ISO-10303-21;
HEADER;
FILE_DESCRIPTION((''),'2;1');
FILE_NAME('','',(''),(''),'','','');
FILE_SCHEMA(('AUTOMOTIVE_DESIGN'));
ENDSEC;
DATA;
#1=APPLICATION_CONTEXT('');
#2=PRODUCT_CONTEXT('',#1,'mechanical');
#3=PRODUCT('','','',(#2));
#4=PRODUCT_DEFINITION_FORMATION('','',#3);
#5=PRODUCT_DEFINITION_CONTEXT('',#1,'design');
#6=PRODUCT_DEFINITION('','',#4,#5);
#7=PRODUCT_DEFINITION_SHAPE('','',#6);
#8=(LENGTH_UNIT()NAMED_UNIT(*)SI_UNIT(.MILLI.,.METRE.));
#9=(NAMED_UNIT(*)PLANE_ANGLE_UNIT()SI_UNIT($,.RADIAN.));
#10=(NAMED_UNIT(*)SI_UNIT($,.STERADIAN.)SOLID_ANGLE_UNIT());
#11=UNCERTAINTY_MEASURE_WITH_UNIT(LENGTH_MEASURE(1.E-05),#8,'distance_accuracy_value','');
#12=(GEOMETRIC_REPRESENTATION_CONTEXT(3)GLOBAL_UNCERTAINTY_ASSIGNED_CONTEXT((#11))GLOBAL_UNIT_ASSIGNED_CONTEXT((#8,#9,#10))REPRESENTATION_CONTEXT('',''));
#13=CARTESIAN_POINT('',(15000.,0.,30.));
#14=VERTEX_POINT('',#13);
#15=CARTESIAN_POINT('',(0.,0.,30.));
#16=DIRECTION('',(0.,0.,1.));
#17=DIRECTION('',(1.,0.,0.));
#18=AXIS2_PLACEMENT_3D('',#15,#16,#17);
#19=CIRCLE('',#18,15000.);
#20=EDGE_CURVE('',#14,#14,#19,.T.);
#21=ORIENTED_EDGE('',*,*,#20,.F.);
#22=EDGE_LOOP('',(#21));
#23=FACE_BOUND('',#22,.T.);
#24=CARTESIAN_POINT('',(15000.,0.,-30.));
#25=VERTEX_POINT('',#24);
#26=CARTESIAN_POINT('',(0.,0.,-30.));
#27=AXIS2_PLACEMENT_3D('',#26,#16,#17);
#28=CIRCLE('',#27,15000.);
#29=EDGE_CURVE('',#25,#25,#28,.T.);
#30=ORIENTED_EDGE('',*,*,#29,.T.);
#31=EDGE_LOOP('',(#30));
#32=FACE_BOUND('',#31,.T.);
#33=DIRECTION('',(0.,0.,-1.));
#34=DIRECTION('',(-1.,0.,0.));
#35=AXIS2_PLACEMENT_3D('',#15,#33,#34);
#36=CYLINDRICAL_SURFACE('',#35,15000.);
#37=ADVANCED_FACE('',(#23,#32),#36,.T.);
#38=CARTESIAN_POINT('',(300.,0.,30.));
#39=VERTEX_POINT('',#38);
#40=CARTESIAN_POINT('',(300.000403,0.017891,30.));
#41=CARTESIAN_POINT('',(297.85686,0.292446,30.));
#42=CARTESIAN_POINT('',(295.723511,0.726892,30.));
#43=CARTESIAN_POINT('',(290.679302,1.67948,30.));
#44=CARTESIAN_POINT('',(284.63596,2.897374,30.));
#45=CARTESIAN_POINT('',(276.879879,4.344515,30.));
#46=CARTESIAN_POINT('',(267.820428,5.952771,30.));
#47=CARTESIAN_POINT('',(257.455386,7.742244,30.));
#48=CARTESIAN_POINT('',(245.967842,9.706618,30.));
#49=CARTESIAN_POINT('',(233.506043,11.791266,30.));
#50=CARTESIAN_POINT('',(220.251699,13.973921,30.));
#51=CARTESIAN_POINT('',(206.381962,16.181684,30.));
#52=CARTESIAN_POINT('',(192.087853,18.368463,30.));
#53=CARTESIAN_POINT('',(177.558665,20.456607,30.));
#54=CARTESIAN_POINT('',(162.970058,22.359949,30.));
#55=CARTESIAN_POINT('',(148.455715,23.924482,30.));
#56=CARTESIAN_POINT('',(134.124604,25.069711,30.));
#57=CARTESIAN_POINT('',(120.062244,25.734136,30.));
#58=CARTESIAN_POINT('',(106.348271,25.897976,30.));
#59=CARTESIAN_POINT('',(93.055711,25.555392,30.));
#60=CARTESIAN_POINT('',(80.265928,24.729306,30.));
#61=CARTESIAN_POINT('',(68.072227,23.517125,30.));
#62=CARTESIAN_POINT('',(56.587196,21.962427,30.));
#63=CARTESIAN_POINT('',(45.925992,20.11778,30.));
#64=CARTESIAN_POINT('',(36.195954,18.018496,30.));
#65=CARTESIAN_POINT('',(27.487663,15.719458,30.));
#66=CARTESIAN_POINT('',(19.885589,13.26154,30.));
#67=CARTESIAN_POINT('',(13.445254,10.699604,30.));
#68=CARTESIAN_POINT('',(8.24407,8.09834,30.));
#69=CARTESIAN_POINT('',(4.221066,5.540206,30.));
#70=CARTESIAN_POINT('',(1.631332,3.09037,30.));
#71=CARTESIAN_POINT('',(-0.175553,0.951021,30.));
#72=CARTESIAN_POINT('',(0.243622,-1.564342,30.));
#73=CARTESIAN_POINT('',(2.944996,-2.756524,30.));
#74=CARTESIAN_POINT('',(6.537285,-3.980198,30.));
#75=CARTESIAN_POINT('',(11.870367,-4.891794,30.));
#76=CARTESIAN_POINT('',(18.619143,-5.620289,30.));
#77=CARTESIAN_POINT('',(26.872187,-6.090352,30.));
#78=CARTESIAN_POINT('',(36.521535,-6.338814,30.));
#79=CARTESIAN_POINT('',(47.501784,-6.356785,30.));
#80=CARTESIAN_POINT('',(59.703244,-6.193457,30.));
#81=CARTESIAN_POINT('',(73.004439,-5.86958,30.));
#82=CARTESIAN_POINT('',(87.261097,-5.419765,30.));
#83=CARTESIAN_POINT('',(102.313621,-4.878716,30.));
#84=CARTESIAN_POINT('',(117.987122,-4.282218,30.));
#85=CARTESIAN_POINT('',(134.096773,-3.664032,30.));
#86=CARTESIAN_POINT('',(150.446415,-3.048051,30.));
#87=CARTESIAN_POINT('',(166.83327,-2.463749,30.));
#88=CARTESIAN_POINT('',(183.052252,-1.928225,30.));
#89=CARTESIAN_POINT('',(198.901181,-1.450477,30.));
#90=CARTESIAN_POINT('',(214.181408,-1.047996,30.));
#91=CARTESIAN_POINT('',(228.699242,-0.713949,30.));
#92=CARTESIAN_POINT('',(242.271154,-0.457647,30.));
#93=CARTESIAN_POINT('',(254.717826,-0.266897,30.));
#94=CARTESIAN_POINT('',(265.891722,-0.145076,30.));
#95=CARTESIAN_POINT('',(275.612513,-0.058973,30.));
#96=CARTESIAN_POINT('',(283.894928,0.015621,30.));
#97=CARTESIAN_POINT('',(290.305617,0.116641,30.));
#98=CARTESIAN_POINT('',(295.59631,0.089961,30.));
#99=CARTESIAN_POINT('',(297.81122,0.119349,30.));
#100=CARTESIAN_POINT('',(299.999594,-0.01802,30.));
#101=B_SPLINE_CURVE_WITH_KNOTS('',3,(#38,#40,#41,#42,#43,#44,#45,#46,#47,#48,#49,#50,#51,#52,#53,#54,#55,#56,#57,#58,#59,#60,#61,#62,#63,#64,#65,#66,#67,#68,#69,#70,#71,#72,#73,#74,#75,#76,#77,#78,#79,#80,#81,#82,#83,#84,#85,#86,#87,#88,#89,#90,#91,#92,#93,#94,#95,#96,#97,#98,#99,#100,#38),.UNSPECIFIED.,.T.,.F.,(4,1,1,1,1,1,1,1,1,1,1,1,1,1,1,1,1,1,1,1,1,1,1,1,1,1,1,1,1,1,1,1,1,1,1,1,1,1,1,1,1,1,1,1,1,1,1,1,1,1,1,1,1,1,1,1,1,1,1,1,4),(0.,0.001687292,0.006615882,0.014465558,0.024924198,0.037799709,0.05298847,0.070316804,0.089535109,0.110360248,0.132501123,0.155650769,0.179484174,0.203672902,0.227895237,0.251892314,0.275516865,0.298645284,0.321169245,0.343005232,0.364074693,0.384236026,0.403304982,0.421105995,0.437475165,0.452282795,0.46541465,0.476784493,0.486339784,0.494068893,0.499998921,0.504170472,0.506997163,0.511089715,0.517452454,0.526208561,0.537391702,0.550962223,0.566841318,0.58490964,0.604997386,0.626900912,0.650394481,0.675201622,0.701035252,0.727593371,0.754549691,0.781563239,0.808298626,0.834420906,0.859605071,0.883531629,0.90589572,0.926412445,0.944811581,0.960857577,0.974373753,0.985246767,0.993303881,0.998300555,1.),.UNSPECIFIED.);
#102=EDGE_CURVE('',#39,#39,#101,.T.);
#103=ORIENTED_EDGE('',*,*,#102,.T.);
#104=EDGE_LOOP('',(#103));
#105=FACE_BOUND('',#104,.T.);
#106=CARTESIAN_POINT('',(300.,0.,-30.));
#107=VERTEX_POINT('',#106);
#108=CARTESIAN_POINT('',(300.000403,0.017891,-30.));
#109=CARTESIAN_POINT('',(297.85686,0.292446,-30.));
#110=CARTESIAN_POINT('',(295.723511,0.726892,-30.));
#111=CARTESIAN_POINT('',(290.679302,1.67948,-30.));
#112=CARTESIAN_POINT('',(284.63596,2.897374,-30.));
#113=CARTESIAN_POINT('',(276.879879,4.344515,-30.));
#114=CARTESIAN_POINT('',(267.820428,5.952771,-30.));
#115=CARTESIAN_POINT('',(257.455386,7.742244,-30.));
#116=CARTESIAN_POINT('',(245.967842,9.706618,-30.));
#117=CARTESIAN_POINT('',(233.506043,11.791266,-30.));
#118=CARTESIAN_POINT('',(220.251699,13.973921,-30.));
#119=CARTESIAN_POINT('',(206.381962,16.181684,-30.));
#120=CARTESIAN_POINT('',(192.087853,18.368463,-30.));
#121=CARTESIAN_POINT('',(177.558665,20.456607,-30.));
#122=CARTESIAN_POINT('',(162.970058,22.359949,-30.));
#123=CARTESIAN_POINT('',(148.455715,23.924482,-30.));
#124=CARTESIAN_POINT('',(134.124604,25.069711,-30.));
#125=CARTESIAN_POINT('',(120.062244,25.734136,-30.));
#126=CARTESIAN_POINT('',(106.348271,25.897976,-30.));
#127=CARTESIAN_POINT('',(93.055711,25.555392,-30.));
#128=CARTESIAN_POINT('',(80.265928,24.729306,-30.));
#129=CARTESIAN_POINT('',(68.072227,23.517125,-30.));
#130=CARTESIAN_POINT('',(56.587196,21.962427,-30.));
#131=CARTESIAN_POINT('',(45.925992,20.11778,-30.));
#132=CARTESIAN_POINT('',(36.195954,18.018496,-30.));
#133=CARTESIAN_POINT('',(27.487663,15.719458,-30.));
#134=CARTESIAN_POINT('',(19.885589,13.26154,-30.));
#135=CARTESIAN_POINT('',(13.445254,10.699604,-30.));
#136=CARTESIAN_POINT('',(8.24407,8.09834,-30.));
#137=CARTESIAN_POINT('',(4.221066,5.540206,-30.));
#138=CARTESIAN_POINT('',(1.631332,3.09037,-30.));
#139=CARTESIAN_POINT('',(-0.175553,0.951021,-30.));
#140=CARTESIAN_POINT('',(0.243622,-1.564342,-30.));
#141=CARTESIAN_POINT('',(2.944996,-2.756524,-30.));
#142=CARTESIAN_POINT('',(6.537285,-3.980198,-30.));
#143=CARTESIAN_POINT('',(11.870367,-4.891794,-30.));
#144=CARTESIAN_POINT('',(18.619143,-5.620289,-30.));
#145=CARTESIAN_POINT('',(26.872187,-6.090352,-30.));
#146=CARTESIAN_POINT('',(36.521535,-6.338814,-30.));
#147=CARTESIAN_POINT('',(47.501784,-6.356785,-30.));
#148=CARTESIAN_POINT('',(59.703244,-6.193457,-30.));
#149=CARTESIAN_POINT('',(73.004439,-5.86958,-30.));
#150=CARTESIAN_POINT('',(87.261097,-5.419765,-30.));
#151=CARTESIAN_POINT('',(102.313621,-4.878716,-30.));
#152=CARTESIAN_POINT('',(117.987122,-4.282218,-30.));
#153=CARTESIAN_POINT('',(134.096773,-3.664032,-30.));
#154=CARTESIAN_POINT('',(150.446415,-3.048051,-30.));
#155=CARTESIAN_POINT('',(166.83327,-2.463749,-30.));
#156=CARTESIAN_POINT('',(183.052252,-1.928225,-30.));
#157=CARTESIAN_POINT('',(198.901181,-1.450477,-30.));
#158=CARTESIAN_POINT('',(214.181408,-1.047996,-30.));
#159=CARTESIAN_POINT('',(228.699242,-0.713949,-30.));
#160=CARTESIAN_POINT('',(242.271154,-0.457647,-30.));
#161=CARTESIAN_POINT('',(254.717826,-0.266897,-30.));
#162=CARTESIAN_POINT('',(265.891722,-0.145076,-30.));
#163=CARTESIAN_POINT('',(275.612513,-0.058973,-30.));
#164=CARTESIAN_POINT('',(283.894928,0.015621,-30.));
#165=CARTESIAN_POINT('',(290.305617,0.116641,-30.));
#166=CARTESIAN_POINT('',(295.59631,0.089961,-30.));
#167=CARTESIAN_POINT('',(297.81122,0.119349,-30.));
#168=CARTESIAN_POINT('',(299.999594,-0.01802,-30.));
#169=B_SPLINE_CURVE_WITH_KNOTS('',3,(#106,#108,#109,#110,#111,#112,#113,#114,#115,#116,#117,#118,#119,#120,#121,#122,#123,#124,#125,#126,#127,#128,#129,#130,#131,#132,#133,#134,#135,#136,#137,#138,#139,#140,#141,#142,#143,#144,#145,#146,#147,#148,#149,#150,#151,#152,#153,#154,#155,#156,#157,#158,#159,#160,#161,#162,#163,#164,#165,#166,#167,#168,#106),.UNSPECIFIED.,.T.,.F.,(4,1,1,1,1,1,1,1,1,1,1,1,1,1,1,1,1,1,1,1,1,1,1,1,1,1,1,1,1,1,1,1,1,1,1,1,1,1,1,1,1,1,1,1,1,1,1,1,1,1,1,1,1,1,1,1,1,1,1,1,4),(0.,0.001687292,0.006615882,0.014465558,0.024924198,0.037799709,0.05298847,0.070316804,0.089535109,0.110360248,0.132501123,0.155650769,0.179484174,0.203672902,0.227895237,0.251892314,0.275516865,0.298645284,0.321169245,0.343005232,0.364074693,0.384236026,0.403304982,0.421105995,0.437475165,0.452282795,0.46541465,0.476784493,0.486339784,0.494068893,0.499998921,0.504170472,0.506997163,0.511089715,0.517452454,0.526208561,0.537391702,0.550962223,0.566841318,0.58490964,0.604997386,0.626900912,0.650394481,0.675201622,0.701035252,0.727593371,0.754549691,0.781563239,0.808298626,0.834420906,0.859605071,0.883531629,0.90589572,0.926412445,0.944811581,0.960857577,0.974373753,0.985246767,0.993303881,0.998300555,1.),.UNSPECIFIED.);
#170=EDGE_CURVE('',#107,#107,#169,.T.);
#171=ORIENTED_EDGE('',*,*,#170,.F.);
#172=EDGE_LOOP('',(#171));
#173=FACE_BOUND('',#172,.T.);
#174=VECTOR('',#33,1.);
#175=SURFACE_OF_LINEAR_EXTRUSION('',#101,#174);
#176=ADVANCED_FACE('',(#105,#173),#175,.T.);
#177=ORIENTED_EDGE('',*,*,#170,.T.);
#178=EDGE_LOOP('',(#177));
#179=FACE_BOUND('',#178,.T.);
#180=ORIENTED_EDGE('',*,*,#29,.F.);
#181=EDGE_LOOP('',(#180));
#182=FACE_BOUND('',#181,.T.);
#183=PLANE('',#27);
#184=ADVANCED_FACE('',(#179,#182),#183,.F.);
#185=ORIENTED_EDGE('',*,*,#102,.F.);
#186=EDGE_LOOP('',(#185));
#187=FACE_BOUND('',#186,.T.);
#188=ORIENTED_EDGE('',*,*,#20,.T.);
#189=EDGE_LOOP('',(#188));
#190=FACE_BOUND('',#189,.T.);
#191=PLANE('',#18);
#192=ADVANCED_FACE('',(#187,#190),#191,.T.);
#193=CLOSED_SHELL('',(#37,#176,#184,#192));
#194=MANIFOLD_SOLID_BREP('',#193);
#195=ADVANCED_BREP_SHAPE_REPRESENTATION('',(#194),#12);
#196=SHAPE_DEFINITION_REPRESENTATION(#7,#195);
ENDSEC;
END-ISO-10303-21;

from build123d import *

# Parameters (mm, degrees)
SKETCH2_R           = 15000
BOSS_EXTRUDE1_DEPTH = 30


with BuildPart() as part:
    # Sketch2 → Boss-Extrude1 (new, symmetric)
    with BuildSketch(Plane.XY):
        Circle(SKETCH2_R)
        with BuildLine():
            add(Edge.make_bspline(
                [(300, 0), (300.000402811, 0.017891231), (297.85685975, 0.292445736), (295.723511165, 0.726892039), (290.679302282, 1.679480421), (284.635959687, 2.897374281), (276.879879046, 4.344515476), (267.820428048, 5.95277122), (257.455385673, 7.742244197), (245.967842139, 9.70661813), (233.506042756, 11.791266408), (220.251698882, 13.973921388), (206.381961989, 16.181684189), (192.087853074, 18.368463114), (177.558664746, 20.456607221), (162.970058246, 22.359948855), (148.455715134, 23.924482354), (134.124604138, 25.069711051), (120.062244475, 25.734136055), (106.348271385, 25.897975781), (93.055711097, 25.55539157), (80.265928232, 24.72930552), (68.072226575, 23.517124644), (56.587196337, 21.962426856), (45.925991759, 20.117779579), (36.195954376, 18.018495626), (27.487662894, 15.719457974), (19.885589191, 13.261539895), (13.445254022, 10.699603889), (8.244070372, 8.098339765), (4.221065897, 5.540205784), (1.631332116, 3.090369578), (-0.175553183, 0.951021204), (0.243621624, -1.564342184), (2.944995842, -2.756524441), (6.537285269, -3.980198081), (11.870367086, -4.891793693), (18.619142896, -5.620289145), (26.872186679, -6.09035157), (36.521534762, -6.338814104), (47.501784126, -6.356784583), (59.703243562, -6.193456753), (73.004439219, -5.869580451), (87.261097422, -5.419765172), (102.313620517, -4.878716358), (117.987122284, -4.282217579), (134.096773033, -3.664032423), (150.446415181, -3.048051097), (166.833269883, -2.463748796), (183.05225229, -1.928225129), (198.901180904, -1.450476519), (214.181407658, -1.047995638), (228.699242301, -0.713948731), (242.271153812, -0.457646545), (254.717826147, -0.266896562), (265.891722207, -0.145076144), (275.61251285, -0.058972976), (283.894928489, 0.015621095), (290.305617376, 0.116640601), (295.596309521, 0.08996108), (297.811219758, 0.119349423), (299.999594287, -0.018020093), (300, 0)],
                knots=[0, 0, 0, 0, 0.001687292, 0.006615882, 0.014465558, 0.024924198, 0.037799709, 0.05298847, 0.070316804, 0.089535109, 0.110360248, 0.132501123, 0.155650769, 0.179484174, 0.203672902, 0.227895237, 0.251892314, 0.275516865, 0.298645284, 0.321169245, 0.343005232, 0.364074693, 0.384236026, 0.403304982, 0.421105995, 0.437475165, 0.452282795, 0.46541465, 0.476784493, 0.486339784, 0.494068893, 0.499998921, 0.504170472, 0.506997163, 0.511089715, 0.517452454, 0.526208561, 0.537391702, 0.550962223, 0.566841318, 0.58490964, 0.604997386, 0.626900912, 0.650394481, 0.675201622, 0.701035252, 0.727593371, 0.754549691, 0.781563239, 0.808298626, 0.834420906, 0.859605071, 0.883531629, 0.90589572, 0.926412445, 0.944811581, 0.960857577, 0.974373753, 0.985246767, 0.993303881, 0.998300555, 1, 1, 1, 1], degree=3))
        make_face(mode=Mode.SUBTRACT)
    extrude(amount=BOSS_EXTRUDE1_DEPTH, both=True)


solid = part.part
